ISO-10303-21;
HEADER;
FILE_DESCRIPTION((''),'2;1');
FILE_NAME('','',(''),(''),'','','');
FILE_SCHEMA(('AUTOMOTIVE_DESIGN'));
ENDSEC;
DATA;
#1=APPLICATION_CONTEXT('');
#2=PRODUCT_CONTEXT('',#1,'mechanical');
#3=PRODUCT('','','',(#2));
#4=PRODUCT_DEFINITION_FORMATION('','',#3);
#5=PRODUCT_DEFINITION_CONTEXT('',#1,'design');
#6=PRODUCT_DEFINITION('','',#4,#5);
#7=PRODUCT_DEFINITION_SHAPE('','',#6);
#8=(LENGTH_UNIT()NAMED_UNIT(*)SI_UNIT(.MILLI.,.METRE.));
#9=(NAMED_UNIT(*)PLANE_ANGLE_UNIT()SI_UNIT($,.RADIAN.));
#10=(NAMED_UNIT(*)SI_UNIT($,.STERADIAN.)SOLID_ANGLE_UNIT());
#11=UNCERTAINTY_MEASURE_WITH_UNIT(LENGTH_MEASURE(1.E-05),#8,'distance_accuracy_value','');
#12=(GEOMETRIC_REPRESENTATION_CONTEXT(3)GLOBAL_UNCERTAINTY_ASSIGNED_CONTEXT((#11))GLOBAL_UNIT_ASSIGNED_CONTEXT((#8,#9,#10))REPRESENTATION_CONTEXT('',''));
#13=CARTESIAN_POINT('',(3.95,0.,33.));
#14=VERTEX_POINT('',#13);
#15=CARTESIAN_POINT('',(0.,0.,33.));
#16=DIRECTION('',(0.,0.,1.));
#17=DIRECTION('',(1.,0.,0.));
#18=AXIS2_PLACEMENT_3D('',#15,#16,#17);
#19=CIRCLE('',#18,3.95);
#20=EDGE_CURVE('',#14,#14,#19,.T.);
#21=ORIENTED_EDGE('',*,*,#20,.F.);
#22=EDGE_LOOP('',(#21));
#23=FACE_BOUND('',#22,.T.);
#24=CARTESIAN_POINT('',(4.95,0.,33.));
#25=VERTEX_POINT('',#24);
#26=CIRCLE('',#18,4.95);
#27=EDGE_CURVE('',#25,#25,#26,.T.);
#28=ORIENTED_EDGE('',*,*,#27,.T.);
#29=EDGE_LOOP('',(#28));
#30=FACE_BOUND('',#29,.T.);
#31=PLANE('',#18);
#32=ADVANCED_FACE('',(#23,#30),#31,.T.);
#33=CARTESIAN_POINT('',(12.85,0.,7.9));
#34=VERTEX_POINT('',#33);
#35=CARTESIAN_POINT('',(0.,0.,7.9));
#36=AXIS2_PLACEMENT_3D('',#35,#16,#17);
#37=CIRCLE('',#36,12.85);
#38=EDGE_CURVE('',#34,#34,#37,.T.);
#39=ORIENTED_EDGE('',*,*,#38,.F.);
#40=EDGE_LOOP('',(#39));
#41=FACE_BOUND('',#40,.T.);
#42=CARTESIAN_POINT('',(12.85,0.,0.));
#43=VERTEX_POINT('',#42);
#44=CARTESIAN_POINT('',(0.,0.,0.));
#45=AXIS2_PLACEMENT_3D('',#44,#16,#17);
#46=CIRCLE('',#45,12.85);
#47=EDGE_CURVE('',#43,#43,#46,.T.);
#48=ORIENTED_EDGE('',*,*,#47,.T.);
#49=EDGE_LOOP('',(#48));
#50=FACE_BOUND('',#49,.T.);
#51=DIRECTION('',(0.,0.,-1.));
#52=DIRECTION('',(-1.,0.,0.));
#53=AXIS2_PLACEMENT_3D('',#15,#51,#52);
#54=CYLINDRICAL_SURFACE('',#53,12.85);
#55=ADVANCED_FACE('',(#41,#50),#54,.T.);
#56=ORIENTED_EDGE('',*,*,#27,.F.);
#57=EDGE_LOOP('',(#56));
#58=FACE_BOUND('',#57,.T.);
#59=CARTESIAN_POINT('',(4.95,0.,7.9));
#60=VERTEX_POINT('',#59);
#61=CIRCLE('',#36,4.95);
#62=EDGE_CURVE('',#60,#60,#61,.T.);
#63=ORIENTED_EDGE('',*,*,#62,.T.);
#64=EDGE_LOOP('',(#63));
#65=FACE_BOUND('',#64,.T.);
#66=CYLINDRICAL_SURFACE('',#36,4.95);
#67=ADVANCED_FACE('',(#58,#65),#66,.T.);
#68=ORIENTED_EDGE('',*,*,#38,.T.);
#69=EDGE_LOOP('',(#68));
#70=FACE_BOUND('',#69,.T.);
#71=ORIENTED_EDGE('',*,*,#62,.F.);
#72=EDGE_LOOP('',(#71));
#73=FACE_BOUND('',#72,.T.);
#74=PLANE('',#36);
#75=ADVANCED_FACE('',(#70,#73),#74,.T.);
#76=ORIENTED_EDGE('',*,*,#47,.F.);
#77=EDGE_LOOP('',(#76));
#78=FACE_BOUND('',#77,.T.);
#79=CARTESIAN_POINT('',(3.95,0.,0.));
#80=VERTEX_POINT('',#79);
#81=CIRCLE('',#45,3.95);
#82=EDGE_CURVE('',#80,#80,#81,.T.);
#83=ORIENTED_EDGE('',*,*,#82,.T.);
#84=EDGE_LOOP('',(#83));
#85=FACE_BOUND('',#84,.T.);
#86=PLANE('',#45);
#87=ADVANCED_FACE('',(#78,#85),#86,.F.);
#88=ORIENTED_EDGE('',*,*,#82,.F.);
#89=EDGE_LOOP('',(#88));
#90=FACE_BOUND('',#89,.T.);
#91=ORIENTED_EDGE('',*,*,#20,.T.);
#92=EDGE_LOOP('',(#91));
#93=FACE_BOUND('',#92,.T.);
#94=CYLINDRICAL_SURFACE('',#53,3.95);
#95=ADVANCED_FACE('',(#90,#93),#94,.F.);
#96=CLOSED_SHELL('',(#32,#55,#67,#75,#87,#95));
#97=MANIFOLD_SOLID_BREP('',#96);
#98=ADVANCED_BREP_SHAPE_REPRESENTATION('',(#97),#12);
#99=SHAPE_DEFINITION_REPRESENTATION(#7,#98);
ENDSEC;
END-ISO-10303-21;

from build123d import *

# Parameters (mm, degrees)
SKETCH1_R           = 12.85
SKETCH1_R_2         = 3.95
BOSS_EXTRUDE1_DEPTH = 33
CUT_EXTRUDE1_START  = -25.1
SKETCH2_R           = 12.85
SKETCH2_R_2         = 4.95
CUT_EXTRUDE1_DEPTH  = 25.1


with BuildPart() as part:
    # Sketch1 → Boss-Extrude1 (new body)
    with BuildSketch(Plane.XY):
        Circle(SKETCH1_R)
        Circle(SKETCH1_R_2, mode=Mode.SUBTRACT)
    extrude(amount=BOSS_EXTRUDE1_DEPTH)

    # Sketch2 → Cut-Extrude1 (cut)
    with BuildSketch(Plane.XY.offset(33).offset(CUT_EXTRUDE1_START)):
        Circle(SKETCH2_R)
        Circle(SKETCH2_R_2, mode=Mode.SUBTRACT)
    extrude(amount=CUT_EXTRUDE1_DEPTH, mode=Mode.SUBTRACT)


solid = part.part
